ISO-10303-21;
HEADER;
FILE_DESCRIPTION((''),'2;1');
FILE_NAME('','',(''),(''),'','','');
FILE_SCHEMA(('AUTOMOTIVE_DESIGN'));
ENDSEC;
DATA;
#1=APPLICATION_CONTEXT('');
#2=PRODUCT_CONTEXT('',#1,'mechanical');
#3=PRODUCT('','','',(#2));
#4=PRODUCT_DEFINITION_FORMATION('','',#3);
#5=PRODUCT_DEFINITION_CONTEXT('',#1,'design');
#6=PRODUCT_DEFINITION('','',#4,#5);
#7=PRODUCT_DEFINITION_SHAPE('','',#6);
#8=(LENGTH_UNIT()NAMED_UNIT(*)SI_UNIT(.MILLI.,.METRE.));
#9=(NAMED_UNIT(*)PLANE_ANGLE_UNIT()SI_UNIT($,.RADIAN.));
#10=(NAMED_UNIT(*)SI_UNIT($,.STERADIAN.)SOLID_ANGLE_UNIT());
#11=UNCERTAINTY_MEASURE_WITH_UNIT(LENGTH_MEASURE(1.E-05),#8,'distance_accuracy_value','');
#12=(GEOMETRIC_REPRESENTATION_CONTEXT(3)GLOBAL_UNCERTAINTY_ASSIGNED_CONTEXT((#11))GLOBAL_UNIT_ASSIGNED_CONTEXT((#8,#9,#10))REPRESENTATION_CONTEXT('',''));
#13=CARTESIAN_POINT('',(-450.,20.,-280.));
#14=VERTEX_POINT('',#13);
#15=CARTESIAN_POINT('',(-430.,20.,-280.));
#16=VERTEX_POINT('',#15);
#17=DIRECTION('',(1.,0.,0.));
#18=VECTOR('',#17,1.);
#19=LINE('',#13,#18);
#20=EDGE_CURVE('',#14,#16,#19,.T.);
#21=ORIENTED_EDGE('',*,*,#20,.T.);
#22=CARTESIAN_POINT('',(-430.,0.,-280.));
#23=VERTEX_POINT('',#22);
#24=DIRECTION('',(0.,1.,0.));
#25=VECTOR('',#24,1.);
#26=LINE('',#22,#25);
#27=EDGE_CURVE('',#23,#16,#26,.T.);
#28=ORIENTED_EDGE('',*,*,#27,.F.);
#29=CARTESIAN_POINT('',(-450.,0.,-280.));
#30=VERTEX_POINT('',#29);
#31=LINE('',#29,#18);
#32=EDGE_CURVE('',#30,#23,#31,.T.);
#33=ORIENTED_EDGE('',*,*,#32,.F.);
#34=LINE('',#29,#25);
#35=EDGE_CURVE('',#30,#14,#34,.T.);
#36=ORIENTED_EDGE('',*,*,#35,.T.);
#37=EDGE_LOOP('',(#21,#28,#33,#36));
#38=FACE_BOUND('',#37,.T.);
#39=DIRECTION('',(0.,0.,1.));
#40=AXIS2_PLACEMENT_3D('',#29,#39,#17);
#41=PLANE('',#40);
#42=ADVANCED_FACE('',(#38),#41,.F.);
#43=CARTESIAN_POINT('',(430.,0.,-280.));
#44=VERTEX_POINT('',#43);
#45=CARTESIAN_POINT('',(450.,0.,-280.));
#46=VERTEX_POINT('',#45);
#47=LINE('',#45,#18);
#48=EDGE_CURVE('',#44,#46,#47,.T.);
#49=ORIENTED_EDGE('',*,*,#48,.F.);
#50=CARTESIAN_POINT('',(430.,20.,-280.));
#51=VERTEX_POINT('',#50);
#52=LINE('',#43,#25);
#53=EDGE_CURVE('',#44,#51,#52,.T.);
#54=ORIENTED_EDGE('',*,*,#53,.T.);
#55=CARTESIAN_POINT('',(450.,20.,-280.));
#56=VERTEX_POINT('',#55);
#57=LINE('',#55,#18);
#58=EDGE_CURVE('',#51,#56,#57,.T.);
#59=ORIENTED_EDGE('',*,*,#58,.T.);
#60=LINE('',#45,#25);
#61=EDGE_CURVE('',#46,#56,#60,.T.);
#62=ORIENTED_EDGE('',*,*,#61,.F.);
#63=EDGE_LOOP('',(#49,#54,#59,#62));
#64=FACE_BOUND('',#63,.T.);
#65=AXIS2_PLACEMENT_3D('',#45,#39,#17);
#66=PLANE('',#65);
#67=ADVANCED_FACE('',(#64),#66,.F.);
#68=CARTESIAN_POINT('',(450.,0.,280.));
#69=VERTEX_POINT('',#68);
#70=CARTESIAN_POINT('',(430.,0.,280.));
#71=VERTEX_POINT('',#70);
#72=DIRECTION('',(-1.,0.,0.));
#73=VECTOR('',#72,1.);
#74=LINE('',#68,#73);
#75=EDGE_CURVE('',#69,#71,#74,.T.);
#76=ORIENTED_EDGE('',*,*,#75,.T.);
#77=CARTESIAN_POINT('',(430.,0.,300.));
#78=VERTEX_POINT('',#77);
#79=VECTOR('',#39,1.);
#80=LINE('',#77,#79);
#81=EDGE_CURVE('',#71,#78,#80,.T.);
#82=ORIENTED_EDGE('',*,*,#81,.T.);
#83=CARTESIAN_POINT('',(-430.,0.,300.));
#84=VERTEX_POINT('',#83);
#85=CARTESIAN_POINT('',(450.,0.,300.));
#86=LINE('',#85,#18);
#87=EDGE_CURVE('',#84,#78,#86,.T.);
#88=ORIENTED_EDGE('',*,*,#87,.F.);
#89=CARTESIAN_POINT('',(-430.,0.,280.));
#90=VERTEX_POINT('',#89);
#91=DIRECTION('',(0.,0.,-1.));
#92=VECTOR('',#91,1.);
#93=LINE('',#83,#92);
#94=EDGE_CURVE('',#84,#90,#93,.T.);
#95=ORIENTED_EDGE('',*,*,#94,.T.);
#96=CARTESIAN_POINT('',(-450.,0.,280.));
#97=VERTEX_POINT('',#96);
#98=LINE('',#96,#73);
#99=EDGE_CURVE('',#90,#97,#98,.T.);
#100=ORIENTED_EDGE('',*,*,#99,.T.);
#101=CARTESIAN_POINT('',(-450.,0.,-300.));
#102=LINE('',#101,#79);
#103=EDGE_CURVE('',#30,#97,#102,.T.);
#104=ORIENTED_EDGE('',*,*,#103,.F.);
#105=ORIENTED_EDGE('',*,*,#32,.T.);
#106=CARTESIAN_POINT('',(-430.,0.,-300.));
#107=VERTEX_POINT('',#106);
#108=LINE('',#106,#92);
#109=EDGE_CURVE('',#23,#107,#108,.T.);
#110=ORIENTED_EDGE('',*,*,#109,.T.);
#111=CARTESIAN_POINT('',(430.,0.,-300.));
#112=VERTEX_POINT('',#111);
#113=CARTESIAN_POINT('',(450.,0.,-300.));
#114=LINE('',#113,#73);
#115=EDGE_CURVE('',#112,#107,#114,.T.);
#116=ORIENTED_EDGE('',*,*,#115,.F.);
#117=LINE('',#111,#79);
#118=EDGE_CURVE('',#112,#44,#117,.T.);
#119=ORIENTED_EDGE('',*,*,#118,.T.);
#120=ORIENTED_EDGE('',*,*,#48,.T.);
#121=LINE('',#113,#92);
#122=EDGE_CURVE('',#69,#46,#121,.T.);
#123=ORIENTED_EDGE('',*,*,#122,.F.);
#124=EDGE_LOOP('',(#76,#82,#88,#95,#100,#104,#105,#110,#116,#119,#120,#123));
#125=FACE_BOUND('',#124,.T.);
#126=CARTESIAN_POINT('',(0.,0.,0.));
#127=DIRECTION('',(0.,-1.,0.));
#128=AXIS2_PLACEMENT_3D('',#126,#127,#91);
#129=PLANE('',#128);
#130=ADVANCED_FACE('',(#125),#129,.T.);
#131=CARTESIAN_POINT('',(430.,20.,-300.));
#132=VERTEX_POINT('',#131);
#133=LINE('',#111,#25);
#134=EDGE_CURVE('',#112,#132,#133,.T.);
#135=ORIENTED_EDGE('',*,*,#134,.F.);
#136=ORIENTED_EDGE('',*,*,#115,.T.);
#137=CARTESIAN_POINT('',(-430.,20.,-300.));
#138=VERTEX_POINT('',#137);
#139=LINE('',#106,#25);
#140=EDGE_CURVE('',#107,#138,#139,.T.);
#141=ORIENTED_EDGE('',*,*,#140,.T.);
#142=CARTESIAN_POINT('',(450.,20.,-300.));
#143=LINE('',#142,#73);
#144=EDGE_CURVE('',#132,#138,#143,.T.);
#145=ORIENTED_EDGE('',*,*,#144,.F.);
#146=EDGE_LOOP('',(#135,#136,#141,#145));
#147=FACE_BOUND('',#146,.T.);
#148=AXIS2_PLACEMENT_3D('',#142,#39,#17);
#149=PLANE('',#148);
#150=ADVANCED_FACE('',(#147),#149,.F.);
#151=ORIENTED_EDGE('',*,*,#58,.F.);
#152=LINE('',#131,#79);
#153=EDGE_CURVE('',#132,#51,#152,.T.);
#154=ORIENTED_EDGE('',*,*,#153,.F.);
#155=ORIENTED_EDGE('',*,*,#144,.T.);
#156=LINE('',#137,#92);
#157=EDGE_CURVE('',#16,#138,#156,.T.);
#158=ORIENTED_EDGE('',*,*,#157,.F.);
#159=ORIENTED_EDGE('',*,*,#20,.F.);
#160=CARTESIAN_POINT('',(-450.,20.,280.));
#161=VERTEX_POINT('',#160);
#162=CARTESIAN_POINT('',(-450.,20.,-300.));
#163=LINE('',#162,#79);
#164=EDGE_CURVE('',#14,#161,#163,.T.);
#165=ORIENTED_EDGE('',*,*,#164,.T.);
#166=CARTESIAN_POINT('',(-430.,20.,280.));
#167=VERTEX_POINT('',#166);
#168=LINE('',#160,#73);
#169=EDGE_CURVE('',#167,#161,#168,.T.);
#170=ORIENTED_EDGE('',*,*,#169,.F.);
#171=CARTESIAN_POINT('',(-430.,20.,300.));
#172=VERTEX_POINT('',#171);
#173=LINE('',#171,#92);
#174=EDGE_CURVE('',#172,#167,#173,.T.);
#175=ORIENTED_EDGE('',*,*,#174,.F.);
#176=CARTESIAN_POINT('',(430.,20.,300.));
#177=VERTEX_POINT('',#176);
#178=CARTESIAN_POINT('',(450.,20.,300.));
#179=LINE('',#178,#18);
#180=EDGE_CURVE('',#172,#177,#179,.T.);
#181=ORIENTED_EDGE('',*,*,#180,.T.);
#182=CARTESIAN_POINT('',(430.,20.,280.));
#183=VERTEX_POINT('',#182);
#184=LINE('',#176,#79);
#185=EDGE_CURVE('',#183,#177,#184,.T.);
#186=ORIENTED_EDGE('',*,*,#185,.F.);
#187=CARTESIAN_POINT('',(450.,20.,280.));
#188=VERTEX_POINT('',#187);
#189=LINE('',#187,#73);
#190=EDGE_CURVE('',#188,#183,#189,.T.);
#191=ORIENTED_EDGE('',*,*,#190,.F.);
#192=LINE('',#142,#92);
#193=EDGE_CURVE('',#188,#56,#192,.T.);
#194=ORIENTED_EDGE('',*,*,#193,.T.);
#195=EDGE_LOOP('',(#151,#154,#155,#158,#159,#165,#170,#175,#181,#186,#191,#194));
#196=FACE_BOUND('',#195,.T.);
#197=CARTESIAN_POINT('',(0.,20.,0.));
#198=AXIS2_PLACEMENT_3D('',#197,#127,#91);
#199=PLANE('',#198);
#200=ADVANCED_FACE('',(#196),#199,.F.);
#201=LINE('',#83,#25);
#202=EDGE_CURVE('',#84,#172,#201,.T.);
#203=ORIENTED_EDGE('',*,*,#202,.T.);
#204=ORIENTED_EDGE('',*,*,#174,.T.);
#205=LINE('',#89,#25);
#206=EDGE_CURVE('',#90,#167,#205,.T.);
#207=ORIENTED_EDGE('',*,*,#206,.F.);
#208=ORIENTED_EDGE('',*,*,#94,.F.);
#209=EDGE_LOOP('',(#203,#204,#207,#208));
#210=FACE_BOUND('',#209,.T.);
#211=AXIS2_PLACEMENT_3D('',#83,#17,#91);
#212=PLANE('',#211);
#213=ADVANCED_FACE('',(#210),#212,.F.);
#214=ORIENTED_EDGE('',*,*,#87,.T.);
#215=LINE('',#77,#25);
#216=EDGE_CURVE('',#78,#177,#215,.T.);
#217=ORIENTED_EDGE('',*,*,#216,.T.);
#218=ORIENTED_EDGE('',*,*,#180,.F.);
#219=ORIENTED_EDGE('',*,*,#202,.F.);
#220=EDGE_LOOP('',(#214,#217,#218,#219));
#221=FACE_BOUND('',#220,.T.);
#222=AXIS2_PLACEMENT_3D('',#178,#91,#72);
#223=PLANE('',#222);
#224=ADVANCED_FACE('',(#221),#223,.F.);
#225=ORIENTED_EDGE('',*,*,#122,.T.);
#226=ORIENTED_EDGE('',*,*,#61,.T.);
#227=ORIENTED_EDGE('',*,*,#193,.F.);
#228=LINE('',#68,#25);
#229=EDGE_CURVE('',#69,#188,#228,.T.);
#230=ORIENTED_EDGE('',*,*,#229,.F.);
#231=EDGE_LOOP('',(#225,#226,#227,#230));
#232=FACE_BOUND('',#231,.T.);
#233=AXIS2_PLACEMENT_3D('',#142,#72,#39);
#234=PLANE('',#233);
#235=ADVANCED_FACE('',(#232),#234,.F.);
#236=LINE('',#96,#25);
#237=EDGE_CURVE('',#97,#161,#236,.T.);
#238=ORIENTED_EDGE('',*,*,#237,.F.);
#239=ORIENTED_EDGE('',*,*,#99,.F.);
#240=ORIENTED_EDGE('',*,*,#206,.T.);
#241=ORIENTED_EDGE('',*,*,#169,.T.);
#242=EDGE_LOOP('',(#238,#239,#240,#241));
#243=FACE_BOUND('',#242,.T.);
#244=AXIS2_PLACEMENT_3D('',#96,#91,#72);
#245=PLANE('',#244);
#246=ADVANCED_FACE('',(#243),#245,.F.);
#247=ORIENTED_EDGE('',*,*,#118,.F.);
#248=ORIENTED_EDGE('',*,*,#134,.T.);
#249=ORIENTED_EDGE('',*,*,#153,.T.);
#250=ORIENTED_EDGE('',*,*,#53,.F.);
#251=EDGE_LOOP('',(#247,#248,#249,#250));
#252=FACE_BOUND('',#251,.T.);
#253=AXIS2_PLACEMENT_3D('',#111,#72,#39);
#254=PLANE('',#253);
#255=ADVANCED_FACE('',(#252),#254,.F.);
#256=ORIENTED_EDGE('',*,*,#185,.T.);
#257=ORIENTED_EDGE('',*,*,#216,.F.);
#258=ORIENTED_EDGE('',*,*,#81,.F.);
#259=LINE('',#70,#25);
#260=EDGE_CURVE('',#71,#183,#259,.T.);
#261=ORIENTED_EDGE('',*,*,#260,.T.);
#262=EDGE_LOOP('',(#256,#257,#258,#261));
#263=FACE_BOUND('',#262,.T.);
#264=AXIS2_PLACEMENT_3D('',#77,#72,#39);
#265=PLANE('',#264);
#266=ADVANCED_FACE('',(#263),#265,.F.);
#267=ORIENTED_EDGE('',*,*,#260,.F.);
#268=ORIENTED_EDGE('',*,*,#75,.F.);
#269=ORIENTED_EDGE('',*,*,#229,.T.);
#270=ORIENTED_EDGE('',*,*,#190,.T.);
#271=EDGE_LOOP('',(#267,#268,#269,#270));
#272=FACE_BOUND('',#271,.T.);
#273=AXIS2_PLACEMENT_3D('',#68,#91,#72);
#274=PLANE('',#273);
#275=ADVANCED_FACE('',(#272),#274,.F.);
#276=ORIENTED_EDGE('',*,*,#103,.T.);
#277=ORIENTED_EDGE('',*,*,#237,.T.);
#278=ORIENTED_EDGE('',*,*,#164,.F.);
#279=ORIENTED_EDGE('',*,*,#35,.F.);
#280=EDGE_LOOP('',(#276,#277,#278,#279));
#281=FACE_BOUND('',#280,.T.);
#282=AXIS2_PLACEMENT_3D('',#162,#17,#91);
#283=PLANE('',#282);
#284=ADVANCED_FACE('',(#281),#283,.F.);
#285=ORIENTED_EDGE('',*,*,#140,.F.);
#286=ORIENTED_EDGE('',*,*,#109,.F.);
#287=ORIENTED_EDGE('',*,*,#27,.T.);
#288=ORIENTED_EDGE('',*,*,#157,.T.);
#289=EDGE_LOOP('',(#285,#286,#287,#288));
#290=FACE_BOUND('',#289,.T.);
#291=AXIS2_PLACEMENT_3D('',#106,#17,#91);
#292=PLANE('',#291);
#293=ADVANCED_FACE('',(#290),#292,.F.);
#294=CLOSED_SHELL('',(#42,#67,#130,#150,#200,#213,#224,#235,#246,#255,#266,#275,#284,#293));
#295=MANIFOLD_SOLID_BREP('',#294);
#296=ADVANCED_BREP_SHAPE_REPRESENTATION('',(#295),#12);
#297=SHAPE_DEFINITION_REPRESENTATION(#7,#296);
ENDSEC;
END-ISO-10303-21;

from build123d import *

# Parameters (mm, degrees)
SKETCH2_W           = 900
SKETCH2_H           = 600
BOSS_EXTRUDE1_DEPTH = 20
SKETCH4_W           = 16.490398782
SKETCH4_H           = 20.158553923
BOSS_EXTRUDE3_DEPTH = 20
SKETCH7_W           = 20
SKETCH7_H           = 20
CUT_EXTRUDE2_DEPTH  = 20
SKETCH8_W           = 20
SKETCH8_H           = 20
CUT_EXTRUDE3_DEPTH  = 20
SKETCH10_W          = 20
SKETCH10_H          = 20
CUT_EXTRUDE4_DEPTH  = 20
SKETCH11_W          = 20
SKETCH11_H          = 20
CUT_EXTRUDE5_DEPTH  = 20


with BuildPart() as part:
    # Sketch2 → Boss-Extrude1 (new body)
    with BuildSketch(Plane(origin=(0, 0, 0), x_dir=(1, 0, 0), z_dir=(0, 1, 0))):
        Rectangle(SKETCH2_W, SKETCH2_H)
    extrude(amount=BOSS_EXTRUDE1_DEPTH)

    # Sketch4 → Boss-Extrude3 (add)
    with BuildSketch(Plane(origin=(0, 20, 0), x_dir=(1, 0, 0), z_dir=(0, 1, 0))):
        with Locations((441.754800609, 289.920723039)):
            Rectangle(SKETCH4_W, SKETCH4_H)
    extrude(amount=-BOSS_EXTRUDE3_DEPTH)

    # Sketch7 → Cut-Extrude2 (cut)
    with BuildSketch(Plane(origin=(0, 20, 0), x_dir=(1, 0, 0), z_dir=(0, 1, 0))):
        with Locations((440, 290)):
            Rectangle(SKETCH7_W, SKETCH7_H)
    extrude(amount=-CUT_EXTRUDE2_DEPTH, mode=Mode.SUBTRACT)

    # Sketch8 → Cut-Extrude3 (cut)
    with BuildSketch(Plane(origin=(0, 20, 0), x_dir=(1, 0, 0), z_dir=(0, 1, 0))):
        with Locations((440, -290)):
            Rectangle(SKETCH8_W, SKETCH8_H)
    extrude(amount=-CUT_EXTRUDE3_DEPTH, mode=Mode.SUBTRACT)

    # Sketch10 → Cut-Extrude4 (cut)
    with BuildSketch(Plane(origin=(0, 20, 0), x_dir=(1, 0, 0), z_dir=(0, 1, 0))):
        with Locations((-440, 290)):
            Rectangle(SKETCH10_W, SKETCH10_H)
    extrude(amount=-CUT_EXTRUDE4_DEPTH, mode=Mode.SUBTRACT)

    # Sketch11 → Cut-Extrude5 (cut)
    with BuildSketch(Plane(origin=(0, 20, 0), x_dir=(1, 0, 0), z_dir=(0, 1, 0))):
        with Locations((-440, -290)):
            Rectangle(SKETCH11_W, SKETCH11_H)
    extrude(amount=-CUT_EXTRUDE5_DEPTH, mode=Mode.SUBTRACT)


solid = part.part
